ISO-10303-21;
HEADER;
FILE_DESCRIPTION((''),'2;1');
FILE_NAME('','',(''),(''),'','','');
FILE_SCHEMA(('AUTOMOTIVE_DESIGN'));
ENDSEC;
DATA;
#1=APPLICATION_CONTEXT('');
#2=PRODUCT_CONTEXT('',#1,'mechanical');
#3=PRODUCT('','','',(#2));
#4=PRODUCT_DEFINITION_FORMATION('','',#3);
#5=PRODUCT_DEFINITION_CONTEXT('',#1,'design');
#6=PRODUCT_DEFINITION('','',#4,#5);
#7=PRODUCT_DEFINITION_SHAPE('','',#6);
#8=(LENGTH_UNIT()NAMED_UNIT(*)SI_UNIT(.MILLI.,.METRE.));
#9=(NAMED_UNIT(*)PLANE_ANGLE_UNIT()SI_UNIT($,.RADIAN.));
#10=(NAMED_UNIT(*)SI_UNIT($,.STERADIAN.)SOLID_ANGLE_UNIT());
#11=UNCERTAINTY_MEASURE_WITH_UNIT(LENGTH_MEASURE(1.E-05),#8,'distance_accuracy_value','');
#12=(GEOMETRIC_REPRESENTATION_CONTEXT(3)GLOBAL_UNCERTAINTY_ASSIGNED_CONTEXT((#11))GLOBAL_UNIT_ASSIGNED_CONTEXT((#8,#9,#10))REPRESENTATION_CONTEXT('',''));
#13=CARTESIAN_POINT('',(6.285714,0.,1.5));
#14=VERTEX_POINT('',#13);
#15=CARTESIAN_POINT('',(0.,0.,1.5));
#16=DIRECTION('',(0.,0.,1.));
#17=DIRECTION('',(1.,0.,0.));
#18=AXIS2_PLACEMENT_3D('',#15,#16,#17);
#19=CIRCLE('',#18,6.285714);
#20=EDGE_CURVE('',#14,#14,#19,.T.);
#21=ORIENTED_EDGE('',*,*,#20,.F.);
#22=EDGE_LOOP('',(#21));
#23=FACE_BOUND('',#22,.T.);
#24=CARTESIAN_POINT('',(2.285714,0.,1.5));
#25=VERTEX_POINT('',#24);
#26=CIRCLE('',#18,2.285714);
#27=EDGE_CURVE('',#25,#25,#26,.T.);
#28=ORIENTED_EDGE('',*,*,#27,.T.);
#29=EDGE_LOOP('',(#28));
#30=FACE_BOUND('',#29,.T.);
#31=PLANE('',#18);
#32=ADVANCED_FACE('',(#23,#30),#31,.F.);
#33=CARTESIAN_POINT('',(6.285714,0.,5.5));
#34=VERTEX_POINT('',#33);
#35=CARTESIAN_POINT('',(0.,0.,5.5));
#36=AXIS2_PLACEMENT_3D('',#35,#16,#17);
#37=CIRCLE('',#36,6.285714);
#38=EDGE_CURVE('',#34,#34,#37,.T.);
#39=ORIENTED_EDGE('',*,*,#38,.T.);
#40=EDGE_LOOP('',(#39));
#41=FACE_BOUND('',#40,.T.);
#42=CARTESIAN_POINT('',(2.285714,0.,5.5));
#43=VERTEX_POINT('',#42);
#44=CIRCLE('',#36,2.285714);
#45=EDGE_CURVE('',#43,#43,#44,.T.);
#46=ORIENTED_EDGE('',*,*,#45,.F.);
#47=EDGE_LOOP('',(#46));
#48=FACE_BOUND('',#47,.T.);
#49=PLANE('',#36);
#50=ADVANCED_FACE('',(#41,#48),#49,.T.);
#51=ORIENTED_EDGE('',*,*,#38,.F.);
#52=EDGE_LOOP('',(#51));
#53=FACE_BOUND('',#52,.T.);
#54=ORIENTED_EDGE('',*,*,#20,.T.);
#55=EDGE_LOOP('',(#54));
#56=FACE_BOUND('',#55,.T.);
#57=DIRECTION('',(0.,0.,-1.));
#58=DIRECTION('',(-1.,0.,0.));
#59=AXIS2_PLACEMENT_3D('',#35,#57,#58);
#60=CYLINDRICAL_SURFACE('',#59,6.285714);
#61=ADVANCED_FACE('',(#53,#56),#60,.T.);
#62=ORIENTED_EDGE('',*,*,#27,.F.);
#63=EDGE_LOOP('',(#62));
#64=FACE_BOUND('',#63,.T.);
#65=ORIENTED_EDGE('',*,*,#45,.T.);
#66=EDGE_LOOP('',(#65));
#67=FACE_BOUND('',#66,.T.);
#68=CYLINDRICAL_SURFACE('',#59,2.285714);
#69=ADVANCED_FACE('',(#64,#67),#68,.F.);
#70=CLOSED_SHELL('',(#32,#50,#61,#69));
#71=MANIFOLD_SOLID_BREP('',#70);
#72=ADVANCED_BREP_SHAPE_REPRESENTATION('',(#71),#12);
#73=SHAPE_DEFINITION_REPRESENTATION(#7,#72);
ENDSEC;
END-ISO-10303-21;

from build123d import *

# Parameters (mm, degrees)
SKETCH1_R           = 11
SKETCH1_R_2         = 4
BOSS_EXTRUDE1_DEPTH = 7
SCALE1_SCALE        = 0.571428571


with BuildPart() as part:
    # Sketch1 → Boss-Extrude1 (new body)
    with BuildSketch(Plane.XY):
        Circle(SKETCH1_R)
        Circle(SKETCH1_R_2, mode=Mode.SUBTRACT)
    extrude(amount=BOSS_EXTRUDE1_DEPTH)


with BuildPart() as part_1:
    # Scale1: scaled about (0, 0, 3.5)
    add(part.part.scale(SCALE1_SCALE).moved(Location((0, 0, 1.5))))


solid = part_1.part
